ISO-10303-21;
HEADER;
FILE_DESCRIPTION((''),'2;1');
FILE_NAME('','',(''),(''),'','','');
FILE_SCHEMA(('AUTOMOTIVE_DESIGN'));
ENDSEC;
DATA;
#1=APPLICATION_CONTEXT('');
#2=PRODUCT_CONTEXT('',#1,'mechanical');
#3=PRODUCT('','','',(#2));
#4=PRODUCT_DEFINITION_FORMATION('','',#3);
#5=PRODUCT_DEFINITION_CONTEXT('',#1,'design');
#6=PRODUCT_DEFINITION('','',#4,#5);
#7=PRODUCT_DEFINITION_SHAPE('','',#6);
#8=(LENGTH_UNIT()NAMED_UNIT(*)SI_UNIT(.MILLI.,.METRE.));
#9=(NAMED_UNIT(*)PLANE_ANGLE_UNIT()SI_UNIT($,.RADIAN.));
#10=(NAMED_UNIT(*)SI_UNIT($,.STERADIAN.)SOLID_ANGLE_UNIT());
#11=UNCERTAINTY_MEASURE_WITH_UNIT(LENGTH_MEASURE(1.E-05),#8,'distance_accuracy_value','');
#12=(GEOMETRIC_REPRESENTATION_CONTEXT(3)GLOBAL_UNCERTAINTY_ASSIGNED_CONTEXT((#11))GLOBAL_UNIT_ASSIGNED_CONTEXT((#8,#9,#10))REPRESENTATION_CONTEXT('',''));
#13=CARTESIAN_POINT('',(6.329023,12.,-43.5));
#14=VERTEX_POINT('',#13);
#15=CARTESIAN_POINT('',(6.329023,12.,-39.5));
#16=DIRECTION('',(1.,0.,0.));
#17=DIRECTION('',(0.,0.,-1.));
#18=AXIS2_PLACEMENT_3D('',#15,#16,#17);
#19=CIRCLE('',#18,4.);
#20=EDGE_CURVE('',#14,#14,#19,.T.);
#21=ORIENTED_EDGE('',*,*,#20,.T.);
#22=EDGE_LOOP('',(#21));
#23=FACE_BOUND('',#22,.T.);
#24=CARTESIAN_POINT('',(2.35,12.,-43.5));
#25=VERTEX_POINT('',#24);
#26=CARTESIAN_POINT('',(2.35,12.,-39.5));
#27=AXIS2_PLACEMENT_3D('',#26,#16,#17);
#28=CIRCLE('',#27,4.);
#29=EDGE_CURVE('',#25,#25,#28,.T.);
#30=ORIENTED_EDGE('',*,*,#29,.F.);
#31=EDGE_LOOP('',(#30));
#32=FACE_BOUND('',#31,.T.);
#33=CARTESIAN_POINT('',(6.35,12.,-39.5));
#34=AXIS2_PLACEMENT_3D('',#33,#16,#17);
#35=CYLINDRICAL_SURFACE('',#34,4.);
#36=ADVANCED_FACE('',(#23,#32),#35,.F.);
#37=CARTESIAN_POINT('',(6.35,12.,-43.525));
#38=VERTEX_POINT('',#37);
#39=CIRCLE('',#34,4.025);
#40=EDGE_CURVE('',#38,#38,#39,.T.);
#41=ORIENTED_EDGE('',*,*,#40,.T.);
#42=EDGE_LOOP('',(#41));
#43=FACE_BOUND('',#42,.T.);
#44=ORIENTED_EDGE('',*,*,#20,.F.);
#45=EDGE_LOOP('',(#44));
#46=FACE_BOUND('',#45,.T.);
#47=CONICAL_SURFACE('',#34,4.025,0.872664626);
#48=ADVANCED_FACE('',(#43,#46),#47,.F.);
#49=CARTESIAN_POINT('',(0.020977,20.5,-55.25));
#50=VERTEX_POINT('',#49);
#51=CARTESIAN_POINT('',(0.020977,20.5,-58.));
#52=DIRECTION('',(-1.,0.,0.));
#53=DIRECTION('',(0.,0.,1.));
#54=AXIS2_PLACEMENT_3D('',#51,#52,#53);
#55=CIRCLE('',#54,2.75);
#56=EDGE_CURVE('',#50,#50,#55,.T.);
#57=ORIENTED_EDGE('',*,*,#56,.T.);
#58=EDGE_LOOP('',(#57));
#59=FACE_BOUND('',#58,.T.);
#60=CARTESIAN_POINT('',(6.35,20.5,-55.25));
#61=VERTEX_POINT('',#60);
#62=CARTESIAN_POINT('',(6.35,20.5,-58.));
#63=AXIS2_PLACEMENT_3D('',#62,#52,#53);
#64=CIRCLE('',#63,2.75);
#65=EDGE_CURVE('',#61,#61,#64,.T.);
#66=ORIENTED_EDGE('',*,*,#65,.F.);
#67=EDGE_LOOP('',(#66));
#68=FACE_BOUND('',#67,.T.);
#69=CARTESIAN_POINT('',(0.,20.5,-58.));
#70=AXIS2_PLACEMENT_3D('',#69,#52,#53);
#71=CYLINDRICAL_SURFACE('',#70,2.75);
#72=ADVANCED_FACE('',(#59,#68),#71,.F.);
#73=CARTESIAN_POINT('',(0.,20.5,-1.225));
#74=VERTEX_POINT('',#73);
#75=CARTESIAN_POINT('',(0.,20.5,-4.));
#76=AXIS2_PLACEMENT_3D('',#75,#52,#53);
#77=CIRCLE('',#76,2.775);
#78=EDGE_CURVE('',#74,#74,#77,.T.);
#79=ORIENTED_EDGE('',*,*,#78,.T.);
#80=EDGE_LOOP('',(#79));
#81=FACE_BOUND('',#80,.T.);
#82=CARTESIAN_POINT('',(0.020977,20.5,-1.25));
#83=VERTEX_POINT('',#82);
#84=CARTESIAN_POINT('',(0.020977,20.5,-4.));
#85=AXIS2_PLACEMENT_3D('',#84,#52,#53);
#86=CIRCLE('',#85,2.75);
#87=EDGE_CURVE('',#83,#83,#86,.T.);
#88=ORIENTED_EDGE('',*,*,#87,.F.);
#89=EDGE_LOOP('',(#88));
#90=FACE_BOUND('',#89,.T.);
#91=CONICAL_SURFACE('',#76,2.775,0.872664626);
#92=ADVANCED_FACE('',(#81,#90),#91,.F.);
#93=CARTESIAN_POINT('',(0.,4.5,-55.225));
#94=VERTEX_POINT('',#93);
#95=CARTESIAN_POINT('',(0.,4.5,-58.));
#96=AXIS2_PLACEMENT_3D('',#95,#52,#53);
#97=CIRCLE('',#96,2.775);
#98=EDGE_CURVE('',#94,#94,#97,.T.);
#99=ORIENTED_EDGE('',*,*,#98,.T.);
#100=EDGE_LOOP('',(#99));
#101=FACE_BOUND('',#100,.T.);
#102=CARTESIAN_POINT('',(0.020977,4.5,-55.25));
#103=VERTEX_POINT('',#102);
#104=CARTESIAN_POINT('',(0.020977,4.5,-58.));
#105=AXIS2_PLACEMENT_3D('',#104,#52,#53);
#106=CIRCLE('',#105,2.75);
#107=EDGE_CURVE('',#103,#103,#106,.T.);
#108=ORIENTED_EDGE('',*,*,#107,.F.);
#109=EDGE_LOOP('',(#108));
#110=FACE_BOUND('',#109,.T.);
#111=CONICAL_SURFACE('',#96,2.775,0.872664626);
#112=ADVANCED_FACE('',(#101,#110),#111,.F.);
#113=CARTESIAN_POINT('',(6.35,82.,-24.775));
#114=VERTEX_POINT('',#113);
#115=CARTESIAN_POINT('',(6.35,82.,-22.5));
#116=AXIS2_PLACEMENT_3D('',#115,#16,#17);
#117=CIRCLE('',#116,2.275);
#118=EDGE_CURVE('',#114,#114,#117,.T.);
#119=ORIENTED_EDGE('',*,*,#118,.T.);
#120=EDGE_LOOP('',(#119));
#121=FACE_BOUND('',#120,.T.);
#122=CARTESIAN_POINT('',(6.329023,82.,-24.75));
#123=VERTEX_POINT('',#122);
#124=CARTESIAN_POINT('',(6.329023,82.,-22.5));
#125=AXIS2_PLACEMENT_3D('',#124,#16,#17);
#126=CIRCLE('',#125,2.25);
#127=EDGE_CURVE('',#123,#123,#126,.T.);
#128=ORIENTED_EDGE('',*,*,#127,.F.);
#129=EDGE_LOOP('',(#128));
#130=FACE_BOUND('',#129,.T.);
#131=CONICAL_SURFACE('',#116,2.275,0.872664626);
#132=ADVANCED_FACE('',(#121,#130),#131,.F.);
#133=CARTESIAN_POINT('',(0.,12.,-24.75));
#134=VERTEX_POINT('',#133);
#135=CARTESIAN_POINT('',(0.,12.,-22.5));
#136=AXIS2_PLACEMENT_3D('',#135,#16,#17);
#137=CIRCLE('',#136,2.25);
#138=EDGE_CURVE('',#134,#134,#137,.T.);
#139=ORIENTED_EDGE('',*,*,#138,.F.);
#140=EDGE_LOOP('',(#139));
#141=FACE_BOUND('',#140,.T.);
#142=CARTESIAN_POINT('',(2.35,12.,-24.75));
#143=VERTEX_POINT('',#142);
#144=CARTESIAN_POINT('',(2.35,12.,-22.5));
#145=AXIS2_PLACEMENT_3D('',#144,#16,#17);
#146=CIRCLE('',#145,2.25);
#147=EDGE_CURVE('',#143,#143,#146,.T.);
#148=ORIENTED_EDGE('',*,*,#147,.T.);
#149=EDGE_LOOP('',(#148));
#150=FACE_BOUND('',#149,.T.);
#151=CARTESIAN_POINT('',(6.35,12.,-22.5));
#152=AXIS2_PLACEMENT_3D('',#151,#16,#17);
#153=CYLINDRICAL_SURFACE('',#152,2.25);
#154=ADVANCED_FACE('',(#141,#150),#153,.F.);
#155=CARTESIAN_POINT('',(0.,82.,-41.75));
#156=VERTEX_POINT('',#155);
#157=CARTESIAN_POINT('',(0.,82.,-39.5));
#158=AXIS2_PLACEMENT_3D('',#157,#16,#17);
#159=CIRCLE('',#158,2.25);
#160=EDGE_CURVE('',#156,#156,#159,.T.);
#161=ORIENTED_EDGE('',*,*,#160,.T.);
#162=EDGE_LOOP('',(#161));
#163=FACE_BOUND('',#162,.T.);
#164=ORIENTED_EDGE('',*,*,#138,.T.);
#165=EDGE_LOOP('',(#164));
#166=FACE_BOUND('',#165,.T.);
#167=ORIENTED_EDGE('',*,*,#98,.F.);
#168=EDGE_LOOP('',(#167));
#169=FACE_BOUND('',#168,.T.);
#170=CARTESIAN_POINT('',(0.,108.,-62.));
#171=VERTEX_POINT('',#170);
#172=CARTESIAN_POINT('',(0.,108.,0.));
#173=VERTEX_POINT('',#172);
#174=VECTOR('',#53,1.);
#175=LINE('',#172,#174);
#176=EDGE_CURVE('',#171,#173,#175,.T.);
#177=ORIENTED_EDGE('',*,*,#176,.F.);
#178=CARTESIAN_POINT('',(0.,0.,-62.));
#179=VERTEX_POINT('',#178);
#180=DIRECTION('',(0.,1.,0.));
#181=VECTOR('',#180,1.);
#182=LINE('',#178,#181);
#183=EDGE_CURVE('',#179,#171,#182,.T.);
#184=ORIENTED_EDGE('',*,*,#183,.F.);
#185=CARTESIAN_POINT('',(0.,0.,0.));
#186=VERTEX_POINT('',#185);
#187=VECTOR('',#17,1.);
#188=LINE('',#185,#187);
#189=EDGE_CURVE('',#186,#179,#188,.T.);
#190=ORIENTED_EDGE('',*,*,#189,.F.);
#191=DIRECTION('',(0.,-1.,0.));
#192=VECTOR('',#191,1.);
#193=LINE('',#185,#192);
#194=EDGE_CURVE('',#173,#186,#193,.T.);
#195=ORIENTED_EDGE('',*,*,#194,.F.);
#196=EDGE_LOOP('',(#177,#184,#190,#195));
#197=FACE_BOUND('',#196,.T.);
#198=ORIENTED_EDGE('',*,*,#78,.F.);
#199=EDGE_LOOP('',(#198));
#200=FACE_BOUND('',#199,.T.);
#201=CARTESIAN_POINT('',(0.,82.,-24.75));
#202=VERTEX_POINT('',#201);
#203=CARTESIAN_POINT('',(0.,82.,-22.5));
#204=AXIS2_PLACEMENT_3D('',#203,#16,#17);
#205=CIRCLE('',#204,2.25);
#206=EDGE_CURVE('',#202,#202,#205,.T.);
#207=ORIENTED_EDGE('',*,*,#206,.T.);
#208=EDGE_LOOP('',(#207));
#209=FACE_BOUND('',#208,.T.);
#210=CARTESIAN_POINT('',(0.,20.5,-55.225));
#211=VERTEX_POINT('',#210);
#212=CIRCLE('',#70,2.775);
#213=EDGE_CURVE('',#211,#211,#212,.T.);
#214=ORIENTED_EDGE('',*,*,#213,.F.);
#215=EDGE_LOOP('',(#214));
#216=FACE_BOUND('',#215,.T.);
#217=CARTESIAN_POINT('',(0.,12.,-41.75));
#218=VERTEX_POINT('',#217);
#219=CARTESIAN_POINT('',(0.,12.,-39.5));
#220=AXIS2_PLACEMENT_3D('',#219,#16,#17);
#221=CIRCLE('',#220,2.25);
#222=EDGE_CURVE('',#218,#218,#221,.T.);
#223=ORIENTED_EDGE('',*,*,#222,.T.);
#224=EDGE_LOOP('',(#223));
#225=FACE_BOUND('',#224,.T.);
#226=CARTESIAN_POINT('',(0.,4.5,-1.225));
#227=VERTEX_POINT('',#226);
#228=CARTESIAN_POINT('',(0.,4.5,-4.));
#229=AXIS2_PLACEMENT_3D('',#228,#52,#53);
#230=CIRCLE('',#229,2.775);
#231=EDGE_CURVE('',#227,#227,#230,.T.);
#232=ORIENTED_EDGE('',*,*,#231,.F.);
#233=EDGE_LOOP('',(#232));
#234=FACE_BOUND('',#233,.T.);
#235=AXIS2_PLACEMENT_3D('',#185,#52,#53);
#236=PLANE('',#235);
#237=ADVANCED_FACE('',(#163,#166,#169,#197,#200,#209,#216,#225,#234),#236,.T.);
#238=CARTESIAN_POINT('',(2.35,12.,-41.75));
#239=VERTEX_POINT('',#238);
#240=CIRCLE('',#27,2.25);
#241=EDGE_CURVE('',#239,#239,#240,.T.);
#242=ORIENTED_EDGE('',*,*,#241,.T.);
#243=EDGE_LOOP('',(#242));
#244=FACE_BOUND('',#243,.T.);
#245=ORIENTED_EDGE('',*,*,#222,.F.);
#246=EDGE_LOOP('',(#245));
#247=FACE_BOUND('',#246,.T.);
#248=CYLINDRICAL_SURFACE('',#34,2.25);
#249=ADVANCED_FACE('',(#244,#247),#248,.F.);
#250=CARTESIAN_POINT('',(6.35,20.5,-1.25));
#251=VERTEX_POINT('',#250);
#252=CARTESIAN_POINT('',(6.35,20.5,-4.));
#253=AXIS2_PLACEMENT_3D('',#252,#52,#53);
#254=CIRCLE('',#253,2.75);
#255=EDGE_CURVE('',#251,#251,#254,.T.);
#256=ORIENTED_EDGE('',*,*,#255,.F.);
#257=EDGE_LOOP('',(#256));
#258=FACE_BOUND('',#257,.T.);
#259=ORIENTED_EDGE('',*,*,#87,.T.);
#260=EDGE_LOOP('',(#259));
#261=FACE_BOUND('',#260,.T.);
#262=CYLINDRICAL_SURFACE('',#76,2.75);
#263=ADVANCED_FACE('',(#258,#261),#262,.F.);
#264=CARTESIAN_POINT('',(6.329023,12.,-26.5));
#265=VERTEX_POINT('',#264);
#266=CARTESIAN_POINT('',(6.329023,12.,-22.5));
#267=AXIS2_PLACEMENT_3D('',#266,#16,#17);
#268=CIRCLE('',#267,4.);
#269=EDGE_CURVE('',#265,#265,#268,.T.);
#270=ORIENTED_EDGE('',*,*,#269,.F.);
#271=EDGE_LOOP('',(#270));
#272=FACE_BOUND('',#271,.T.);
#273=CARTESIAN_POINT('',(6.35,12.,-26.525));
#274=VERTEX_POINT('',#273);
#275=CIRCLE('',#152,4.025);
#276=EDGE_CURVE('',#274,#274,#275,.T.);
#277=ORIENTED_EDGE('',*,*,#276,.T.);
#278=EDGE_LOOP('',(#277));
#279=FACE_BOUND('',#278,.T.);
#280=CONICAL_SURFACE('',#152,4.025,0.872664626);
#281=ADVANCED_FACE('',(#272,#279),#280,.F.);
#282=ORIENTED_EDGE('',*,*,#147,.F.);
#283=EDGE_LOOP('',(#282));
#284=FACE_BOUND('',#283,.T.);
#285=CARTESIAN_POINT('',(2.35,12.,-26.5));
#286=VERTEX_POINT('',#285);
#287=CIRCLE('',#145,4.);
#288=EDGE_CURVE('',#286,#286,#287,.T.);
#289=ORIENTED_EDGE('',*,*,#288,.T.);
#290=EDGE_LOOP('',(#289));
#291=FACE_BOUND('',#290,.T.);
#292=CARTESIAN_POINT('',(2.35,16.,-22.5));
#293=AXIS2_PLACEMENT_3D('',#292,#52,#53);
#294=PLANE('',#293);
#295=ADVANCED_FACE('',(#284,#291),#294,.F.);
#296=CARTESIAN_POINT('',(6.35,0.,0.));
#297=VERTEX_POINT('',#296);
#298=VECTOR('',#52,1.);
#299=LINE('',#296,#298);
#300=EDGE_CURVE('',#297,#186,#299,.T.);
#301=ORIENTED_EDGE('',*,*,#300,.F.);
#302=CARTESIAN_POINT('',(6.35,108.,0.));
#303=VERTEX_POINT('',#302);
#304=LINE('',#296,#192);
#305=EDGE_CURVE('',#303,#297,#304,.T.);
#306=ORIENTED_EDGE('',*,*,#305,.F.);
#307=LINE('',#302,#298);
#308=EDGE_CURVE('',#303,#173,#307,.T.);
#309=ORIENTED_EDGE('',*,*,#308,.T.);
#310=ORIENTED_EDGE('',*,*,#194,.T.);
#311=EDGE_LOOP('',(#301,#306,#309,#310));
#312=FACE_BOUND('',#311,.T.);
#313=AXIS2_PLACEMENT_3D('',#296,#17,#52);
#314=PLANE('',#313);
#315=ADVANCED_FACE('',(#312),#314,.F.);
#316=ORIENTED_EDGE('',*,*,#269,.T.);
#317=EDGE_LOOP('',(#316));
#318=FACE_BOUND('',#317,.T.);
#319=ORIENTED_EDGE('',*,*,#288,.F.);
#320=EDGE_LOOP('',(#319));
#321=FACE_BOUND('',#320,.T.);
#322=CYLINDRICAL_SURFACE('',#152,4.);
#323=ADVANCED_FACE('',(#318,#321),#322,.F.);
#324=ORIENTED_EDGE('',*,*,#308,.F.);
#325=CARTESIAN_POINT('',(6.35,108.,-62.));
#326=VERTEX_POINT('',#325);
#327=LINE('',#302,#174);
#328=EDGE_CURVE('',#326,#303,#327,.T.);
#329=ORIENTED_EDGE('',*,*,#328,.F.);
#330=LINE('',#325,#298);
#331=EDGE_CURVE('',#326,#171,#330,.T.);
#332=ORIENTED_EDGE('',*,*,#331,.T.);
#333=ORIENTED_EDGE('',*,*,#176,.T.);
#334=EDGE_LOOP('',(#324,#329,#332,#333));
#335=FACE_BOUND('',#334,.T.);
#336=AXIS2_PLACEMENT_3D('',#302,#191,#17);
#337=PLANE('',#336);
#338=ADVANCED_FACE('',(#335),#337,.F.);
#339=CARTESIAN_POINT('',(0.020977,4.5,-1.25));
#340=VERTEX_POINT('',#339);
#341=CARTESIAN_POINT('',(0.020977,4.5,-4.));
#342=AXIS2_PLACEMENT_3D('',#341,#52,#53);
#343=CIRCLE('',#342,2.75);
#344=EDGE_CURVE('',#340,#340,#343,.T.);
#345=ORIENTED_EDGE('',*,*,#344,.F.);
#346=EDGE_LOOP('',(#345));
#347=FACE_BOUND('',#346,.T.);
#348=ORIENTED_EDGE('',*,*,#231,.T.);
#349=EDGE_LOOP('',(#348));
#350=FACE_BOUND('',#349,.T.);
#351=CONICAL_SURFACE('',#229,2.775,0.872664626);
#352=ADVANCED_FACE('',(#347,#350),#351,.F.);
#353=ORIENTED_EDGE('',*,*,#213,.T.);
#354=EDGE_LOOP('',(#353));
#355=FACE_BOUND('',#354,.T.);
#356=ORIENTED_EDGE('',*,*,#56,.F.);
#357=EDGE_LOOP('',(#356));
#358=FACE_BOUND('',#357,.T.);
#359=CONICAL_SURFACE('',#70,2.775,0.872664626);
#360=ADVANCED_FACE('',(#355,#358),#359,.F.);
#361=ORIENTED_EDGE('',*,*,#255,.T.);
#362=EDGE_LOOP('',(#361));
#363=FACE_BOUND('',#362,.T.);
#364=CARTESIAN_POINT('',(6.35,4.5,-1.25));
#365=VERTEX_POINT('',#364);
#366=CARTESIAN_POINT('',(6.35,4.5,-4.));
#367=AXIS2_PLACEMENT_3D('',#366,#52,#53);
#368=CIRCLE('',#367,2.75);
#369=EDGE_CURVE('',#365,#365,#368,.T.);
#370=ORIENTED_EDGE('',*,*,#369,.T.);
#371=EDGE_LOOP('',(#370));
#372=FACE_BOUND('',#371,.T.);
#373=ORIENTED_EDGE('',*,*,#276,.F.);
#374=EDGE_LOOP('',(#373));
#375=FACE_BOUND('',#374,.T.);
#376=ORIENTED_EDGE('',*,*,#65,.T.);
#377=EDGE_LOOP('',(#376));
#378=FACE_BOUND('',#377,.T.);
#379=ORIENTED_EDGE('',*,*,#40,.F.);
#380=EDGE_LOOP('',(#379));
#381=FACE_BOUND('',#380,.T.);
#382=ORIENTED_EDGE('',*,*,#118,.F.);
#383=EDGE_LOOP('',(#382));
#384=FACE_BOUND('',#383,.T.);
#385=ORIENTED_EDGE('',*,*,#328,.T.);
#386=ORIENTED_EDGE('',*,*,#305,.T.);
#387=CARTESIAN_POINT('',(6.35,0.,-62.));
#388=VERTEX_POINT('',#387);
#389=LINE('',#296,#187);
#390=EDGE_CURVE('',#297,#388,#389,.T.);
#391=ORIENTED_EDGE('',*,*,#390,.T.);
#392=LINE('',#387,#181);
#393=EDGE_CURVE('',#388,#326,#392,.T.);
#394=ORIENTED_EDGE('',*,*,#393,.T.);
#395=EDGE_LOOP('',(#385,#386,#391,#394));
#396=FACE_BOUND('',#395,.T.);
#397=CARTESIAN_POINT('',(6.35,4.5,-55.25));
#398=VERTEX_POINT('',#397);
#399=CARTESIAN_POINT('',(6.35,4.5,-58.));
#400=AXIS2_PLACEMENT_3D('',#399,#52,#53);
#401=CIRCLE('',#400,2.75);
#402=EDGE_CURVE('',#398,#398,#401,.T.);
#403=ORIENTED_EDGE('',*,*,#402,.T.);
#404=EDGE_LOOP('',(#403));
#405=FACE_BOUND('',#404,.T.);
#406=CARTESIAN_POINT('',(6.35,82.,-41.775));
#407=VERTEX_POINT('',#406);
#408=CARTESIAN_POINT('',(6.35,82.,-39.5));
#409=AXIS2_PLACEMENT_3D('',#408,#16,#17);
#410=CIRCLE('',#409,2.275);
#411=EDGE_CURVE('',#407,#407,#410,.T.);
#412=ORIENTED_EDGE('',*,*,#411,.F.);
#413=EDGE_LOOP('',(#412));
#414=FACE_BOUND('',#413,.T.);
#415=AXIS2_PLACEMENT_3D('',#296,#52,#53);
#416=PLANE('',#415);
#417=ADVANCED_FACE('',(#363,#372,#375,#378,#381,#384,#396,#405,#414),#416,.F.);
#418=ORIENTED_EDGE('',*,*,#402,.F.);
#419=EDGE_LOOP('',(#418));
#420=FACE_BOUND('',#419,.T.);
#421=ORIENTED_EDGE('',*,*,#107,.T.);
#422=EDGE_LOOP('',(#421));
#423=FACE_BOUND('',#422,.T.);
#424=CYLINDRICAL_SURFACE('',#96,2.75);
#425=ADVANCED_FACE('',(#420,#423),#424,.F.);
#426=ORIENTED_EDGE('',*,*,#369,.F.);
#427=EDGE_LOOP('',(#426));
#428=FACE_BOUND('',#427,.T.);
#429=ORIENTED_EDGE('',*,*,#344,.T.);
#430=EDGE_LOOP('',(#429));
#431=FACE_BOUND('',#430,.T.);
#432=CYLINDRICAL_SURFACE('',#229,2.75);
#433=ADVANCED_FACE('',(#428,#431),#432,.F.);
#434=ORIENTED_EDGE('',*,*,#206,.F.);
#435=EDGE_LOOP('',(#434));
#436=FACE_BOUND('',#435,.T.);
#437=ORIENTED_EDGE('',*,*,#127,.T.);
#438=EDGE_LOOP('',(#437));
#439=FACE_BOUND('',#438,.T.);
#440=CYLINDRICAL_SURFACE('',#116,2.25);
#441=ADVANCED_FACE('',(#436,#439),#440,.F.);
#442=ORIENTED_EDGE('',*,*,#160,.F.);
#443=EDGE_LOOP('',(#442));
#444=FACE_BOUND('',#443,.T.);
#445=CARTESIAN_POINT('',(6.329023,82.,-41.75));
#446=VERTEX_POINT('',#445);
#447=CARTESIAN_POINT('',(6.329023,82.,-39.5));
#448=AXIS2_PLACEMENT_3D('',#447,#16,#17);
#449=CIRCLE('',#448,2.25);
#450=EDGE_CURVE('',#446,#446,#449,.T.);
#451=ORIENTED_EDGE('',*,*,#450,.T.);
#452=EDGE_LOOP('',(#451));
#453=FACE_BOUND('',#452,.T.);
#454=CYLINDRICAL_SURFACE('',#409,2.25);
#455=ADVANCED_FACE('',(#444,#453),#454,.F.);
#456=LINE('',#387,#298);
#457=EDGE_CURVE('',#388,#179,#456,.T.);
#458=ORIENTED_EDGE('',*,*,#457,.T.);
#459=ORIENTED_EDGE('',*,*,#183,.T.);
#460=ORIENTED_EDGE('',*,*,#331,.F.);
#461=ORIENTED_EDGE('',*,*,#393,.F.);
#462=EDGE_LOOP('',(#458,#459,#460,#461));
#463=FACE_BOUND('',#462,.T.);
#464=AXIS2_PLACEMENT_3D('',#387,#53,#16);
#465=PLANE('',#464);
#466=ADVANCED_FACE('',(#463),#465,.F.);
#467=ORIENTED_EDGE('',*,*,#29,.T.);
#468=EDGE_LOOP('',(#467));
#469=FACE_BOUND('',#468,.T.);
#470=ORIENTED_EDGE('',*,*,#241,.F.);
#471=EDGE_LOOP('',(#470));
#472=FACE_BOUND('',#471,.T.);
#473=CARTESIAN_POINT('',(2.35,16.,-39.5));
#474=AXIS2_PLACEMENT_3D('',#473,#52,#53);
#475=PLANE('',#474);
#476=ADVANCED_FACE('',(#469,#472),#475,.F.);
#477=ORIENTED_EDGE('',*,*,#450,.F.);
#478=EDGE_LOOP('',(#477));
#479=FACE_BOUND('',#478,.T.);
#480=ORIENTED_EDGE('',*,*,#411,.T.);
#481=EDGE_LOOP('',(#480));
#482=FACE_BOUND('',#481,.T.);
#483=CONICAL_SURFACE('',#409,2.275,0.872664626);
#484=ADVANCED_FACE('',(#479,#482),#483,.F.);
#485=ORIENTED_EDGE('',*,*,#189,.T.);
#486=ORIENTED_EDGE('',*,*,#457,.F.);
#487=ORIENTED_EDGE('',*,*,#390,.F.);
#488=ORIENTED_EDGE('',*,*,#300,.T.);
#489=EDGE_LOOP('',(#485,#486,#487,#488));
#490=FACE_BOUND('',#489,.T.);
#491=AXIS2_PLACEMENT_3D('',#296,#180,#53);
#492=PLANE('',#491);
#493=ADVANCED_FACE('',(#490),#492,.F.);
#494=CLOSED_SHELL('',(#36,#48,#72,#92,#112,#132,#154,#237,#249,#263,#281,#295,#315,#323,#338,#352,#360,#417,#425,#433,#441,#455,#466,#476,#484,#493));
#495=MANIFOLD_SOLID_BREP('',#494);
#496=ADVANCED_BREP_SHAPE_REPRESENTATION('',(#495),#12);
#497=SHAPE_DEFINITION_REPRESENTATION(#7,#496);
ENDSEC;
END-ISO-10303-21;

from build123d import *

# Parameters (mm, degrees)
SKETCH1_W                      = 62
SKETCH1_H                      = 108
BOSS_EXTRUDE1_DEPTH            = 6.35
M5_CLEARANCE_HOLE1_D           = 5.5
M5_CLEARANCE_HOLE1_CSINK_D     = 5.55
M5_CLEARANCE_HOLE1_CSINK_ANGLE = 100
M4_CLEARANCE_HOLE1_D           = 4.5
M4_CLEARANCE_HOLE1_CSINK_D     = 4.55
M4_CLEARANCE_HOLE1_CSINK_ANGLE = 100
CBORE_FOR_M4_SHCS1_AT_2_COUNT  = 2
CBORE_FOR_M4_SHCS1_AT_2_PITCH  = 17


with BuildPart() as part:
    # Sketch1 → Boss-Extrude1 (new body)
    with BuildSketch(Plane(origin=(0, 0, 0), x_dir=(0, 0, -1), z_dir=(1, 0, 0))):
        with Locations((31, 54)):
            Rectangle(SKETCH1_W, SKETCH1_H)
    extrude(amount=BOSS_EXTRUDE1_DEPTH)

    # M5 Clearance Hole1 (through all)
    with Locations(Plane.ZY):
        with Locations((-4, 20.5), (-4, 4.5), (-58, 4.5), (-58, 20.5)):
            CounterSinkHole(M5_CLEARANCE_HOLE1_D / 2, M5_CLEARANCE_HOLE1_CSINK_D / 2, counter_sink_angle=M5_CLEARANCE_HOLE1_CSINK_ANGLE)

    # M4 Clearance Hole1 (through all)
    with Locations(Plane(origin=(6.35, 0, 0), x_dir=(0, 0, -1), z_dir=(1, 0, 0))):
        with Locations((39.5, 82), (22.5, 82)):
            CounterSinkHole(M4_CLEARANCE_HOLE1_D / 2, M4_CLEARANCE_HOLE1_CSINK_D / 2, counter_sink_angle=M4_CLEARANCE_HOLE1_CSINK_ANGLE)

    # Sketch7 → CBORE for M4 SHCS1 (revolve, cut)
    with BuildSketch(Plane(origin=(6.35, 12, -22.5), x_dir=(0, 0, -1), z_dir=(0, 1, 0))):
        Polygon((0, 0), (0, 6.35), (2.25, 6.35), (2.25, 4), (4, 4), (4, 0.020977491), (4.025, 0), align=None)
    cbore_for_m4_shcs1 = revolve(axis=Axis((12.7, 12, -22.5), (-1, 0, 0)), mode=Mode.SUBTRACT)

    # CBORE for M4 SHCS1 at 2: CBORE for M4 SHCS1 ×2
    with Locations(*[(0, 0, -i * CBORE_FOR_M4_SHCS1_AT_2_PITCH) for i in range(1, CBORE_FOR_M4_SHCS1_AT_2_COUNT)]):
        add(cbore_for_m4_shcs1, mode=Mode.SUBTRACT)


solid = part.part
